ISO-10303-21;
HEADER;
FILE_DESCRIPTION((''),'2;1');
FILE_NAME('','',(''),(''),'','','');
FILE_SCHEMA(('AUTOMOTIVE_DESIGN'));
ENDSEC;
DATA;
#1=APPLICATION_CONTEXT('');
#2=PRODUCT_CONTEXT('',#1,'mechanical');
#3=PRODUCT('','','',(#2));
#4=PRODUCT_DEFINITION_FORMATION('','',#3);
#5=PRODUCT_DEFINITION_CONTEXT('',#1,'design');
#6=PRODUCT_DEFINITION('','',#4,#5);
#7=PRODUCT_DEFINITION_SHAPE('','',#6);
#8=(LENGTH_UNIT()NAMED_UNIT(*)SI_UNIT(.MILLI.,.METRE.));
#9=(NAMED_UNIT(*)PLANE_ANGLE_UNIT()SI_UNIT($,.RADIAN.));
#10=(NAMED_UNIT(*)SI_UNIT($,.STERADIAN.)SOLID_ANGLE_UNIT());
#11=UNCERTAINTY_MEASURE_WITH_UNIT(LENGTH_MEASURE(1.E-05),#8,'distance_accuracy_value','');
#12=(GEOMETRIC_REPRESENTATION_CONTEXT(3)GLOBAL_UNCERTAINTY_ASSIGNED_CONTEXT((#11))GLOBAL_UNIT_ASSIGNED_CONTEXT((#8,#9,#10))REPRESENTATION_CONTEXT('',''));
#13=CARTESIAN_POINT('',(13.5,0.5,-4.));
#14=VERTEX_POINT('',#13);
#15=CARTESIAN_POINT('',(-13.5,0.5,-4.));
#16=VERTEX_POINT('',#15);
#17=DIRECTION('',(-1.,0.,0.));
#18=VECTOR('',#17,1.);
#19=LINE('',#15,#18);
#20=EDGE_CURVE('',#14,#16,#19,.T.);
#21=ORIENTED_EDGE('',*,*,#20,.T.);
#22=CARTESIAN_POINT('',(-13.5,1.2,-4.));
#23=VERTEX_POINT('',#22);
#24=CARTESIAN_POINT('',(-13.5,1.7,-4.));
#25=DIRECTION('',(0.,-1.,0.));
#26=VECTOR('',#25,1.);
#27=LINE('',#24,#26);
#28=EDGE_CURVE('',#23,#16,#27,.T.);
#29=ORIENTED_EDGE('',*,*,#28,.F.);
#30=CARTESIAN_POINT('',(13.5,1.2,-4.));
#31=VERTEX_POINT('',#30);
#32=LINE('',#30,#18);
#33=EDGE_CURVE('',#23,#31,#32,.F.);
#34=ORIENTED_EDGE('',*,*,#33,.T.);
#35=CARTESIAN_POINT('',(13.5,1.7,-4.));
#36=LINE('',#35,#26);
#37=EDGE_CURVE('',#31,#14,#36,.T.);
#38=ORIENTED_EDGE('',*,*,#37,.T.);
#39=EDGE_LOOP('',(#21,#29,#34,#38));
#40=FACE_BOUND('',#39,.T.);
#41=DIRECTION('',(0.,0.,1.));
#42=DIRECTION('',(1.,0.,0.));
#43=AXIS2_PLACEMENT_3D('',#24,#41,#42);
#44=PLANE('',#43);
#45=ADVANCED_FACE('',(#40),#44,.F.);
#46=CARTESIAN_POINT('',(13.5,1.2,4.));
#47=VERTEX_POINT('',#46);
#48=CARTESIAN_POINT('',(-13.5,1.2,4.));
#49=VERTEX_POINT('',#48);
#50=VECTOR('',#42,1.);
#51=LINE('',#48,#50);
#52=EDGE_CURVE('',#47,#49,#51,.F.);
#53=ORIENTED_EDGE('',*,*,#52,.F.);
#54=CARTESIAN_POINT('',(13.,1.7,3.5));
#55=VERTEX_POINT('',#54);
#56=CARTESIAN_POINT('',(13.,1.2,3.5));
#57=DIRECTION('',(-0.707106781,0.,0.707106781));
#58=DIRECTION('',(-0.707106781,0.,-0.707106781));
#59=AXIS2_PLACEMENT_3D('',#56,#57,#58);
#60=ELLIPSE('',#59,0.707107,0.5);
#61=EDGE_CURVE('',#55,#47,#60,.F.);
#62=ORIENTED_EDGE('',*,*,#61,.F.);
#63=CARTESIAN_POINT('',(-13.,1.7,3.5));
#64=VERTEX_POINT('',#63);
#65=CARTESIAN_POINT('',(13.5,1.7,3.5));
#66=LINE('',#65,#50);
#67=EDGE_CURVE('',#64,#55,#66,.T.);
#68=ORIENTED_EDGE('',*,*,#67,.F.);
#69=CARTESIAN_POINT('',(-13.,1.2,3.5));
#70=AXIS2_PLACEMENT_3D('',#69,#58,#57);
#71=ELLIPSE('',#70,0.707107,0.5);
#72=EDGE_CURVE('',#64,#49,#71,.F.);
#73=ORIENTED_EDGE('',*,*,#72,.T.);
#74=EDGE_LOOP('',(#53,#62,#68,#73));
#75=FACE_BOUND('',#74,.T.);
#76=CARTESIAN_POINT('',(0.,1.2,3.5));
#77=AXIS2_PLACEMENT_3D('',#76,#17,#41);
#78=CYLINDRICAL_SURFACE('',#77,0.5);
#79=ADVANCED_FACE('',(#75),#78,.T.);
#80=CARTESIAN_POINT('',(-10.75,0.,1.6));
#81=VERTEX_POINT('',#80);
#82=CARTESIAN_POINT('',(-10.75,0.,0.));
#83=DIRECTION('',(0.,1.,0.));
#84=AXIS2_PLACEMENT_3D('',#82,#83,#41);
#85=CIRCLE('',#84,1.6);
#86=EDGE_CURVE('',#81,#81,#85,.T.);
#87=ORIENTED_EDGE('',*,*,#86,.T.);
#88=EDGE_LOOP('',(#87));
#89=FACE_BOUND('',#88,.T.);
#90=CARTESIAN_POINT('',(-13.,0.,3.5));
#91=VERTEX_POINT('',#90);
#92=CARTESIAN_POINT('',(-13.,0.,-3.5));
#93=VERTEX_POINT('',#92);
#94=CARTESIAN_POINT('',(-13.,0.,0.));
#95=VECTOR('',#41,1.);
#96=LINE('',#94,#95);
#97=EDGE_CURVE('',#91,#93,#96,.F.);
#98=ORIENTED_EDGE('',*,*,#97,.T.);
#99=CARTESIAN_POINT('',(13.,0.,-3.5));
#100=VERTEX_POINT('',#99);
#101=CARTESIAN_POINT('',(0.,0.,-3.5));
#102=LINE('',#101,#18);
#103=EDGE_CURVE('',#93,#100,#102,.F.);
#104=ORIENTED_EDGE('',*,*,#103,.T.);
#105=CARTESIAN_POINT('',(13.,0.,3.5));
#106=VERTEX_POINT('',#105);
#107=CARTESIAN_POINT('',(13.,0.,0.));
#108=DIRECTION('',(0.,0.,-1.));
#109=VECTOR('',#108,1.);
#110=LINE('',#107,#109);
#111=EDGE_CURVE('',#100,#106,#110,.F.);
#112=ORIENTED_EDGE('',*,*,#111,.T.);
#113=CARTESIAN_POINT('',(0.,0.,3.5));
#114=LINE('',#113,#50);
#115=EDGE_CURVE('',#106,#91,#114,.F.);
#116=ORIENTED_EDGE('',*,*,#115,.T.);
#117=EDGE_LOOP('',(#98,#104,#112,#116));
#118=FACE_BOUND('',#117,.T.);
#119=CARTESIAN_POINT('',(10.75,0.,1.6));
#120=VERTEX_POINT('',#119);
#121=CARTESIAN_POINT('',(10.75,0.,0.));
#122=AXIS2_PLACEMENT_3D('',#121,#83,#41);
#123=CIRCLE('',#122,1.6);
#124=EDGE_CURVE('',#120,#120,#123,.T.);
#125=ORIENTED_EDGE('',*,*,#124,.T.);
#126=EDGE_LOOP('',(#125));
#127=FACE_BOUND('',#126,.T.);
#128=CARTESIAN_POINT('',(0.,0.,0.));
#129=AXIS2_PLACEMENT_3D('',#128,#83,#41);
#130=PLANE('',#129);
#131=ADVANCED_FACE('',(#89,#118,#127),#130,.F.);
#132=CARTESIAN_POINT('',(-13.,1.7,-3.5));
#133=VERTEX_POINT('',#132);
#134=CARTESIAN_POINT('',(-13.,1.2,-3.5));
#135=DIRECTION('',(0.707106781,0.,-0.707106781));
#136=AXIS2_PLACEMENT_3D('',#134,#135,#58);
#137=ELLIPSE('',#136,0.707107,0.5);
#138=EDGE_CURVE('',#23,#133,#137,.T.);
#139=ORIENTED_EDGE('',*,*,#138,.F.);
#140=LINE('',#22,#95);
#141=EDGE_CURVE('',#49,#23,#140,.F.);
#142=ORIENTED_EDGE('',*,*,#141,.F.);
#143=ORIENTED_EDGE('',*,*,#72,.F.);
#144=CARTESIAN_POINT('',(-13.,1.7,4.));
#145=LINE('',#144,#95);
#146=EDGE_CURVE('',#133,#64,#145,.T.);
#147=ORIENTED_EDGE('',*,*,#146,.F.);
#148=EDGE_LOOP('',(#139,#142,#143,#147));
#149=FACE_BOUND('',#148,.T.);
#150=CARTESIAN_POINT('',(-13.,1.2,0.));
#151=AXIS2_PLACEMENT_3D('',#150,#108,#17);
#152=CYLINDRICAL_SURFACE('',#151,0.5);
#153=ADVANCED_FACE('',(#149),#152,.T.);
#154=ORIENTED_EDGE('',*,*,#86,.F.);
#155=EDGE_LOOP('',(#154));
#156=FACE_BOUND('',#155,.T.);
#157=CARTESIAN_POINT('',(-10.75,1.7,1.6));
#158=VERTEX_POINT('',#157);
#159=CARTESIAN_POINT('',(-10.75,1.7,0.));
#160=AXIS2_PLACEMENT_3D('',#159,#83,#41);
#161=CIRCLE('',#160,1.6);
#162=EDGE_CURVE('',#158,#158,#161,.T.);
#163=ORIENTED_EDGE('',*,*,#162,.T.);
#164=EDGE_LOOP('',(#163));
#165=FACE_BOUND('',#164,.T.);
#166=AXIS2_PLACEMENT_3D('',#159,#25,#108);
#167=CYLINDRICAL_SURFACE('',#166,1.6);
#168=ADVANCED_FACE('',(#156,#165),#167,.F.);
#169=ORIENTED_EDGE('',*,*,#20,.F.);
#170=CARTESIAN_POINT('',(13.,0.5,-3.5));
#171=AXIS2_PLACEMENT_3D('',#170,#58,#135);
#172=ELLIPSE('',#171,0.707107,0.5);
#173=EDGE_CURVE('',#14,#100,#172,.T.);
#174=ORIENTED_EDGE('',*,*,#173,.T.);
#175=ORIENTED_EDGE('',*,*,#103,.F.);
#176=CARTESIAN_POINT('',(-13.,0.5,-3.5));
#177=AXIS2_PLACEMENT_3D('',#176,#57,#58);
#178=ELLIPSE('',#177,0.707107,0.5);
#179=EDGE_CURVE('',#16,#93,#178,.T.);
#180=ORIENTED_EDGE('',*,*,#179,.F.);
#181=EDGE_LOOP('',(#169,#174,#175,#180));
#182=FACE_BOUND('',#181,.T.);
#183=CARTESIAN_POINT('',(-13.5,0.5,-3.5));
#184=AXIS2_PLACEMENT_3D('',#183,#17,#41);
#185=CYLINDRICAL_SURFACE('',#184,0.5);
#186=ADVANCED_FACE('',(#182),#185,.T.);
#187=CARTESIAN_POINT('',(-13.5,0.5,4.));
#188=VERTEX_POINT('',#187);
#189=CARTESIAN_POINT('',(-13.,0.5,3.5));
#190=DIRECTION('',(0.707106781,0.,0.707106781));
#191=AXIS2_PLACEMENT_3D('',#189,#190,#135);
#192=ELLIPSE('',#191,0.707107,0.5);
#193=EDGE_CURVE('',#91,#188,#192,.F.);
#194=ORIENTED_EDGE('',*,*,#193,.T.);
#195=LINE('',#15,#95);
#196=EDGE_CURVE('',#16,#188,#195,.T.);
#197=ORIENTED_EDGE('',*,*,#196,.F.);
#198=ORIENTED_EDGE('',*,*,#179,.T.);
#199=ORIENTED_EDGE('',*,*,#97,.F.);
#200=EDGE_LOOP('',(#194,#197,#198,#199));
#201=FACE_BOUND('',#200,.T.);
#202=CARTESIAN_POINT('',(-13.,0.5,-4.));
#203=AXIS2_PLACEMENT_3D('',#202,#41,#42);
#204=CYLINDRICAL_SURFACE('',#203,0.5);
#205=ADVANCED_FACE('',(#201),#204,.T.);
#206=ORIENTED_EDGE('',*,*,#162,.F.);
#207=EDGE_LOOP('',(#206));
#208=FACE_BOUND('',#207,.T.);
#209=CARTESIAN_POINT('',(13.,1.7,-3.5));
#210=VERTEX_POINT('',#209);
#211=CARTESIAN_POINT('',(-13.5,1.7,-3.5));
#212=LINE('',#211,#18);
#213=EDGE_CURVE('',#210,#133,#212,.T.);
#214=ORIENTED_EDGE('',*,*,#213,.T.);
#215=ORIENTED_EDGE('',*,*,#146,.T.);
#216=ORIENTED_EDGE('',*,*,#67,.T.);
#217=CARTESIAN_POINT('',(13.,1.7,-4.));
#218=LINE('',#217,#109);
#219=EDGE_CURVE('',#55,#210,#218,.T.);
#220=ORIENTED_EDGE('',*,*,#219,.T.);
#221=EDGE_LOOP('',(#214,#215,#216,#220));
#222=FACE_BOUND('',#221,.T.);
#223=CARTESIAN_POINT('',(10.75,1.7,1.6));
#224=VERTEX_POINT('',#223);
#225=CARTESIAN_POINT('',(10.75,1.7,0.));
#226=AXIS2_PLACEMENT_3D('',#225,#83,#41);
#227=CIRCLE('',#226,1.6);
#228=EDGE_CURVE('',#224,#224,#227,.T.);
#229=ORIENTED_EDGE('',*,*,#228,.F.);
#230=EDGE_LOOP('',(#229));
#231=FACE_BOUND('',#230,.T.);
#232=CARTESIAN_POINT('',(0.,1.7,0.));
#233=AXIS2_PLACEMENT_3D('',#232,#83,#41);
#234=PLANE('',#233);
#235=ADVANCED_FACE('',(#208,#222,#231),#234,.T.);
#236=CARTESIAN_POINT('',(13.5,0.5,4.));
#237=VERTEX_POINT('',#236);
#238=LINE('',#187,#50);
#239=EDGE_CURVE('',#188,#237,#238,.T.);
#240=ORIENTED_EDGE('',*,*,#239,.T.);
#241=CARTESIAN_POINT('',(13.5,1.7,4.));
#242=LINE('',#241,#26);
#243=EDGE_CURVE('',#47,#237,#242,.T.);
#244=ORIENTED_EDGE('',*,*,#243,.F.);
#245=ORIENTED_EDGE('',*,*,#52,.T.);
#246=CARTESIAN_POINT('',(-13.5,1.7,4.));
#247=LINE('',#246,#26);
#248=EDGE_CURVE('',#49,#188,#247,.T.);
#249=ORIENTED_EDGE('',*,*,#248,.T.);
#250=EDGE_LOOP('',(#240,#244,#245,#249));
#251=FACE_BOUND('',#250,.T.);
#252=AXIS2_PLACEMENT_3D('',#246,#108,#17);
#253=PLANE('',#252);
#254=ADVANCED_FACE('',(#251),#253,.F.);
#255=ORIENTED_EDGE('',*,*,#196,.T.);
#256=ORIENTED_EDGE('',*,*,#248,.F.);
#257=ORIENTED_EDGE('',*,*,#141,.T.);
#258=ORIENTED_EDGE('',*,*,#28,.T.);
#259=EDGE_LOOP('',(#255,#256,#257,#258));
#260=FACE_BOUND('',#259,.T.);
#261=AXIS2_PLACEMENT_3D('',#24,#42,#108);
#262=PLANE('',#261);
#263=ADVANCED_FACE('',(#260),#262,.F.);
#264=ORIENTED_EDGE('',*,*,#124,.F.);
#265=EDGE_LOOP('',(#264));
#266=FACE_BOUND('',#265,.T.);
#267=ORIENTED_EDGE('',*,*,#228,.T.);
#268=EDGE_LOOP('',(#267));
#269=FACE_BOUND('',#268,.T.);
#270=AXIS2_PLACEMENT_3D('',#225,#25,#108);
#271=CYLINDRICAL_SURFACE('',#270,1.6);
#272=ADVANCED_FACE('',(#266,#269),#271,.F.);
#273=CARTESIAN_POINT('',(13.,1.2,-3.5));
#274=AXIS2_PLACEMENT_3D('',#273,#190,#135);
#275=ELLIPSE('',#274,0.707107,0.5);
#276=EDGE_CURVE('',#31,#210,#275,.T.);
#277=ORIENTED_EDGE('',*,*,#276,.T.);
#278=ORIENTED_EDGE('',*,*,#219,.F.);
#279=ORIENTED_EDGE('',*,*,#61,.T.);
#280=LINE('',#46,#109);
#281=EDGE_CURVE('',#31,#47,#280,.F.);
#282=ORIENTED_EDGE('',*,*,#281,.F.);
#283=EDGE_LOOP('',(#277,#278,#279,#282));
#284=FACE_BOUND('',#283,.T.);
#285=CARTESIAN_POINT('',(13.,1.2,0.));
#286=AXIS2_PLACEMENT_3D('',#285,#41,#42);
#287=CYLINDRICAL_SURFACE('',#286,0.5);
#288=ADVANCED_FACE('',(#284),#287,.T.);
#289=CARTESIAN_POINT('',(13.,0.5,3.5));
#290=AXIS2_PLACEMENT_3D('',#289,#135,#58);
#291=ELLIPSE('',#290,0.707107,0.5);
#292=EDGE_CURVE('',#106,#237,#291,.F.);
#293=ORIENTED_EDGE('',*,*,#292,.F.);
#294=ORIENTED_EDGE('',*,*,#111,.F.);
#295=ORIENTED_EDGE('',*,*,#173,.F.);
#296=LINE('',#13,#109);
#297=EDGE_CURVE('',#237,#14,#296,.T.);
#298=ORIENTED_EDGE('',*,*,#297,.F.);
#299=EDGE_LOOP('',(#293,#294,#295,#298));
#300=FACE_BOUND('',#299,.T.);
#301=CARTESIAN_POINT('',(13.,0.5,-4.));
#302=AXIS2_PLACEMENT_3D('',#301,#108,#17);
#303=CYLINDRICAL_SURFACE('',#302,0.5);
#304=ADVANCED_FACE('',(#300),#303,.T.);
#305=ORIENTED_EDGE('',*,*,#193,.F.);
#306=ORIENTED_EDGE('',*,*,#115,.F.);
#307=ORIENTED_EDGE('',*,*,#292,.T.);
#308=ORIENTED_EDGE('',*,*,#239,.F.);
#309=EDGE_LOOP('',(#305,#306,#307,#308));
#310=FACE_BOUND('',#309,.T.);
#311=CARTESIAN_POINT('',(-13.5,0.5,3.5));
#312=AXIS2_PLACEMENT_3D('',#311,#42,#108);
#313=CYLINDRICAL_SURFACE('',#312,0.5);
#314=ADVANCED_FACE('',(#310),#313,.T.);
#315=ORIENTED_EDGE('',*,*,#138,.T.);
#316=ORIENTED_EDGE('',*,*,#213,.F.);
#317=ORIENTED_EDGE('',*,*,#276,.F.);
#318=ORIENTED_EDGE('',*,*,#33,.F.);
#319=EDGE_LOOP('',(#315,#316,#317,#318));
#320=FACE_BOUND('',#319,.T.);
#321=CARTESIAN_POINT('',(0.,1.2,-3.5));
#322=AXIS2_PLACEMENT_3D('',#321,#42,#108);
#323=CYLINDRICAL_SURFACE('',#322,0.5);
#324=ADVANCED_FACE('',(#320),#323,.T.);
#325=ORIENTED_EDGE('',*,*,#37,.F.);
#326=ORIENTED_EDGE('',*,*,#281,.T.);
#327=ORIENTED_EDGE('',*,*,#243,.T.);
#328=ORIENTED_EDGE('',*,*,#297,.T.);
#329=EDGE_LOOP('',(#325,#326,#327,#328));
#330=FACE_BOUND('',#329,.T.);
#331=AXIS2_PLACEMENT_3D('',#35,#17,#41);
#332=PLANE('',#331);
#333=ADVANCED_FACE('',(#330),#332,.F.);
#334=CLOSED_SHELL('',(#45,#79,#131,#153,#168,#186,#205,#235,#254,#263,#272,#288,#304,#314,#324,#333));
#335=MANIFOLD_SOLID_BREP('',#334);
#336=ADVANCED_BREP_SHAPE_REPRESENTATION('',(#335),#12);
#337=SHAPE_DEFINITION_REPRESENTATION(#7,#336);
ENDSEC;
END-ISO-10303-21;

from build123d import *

# Parameters (mm, degrees)
SKETCH1_W           = 27
SKETCH1_H           = 8
SKETCH1_R           = 1.6
BOSS_EXTRUDE1_DEPTH = 1.7
FILLET1_R           = 0.5
FILLET2_R           = 0.5


with BuildPart() as part:
    # Sketch1 → Boss-Extrude1 (new body)
    with BuildSketch(Plane(origin=(0, 0, 0), x_dir=(1, 0, 0), z_dir=(0, 1, 0))):
        Rectangle(SKETCH1_W, SKETCH1_H)
        with Locations((-10.75, 0)):
            Circle(SKETCH1_R, mode=Mode.SUBTRACT)
        with Locations((10.75, 0)):
            Circle(SKETCH1_R, mode=Mode.SUBTRACT)
    extrude(amount=BOSS_EXTRUDE1_DEPTH)

    # Fillet1
    fillet1_edges = [part.edges().sort_by_distance(p)[0] for p in [
        (0, 0, -4),
        (13.5, 0, 0),
        (0, 0, 4),
        (-13.5, 0, 0),
    ]]
    fillet(fillet1_edges, radius=FILLET1_R)

    # Fillet2
    fillet2_edges = [part.edges().sort_by_distance(p)[0] for p in [
        (13.5, 1.7, 0),
        (0, 1.7, -4),
        (-13.5, 1.7, 0),
        (0, 1.7, 4),
    ]]
    fillet(fillet2_edges, radius=FILLET2_R)


solid = part.part
